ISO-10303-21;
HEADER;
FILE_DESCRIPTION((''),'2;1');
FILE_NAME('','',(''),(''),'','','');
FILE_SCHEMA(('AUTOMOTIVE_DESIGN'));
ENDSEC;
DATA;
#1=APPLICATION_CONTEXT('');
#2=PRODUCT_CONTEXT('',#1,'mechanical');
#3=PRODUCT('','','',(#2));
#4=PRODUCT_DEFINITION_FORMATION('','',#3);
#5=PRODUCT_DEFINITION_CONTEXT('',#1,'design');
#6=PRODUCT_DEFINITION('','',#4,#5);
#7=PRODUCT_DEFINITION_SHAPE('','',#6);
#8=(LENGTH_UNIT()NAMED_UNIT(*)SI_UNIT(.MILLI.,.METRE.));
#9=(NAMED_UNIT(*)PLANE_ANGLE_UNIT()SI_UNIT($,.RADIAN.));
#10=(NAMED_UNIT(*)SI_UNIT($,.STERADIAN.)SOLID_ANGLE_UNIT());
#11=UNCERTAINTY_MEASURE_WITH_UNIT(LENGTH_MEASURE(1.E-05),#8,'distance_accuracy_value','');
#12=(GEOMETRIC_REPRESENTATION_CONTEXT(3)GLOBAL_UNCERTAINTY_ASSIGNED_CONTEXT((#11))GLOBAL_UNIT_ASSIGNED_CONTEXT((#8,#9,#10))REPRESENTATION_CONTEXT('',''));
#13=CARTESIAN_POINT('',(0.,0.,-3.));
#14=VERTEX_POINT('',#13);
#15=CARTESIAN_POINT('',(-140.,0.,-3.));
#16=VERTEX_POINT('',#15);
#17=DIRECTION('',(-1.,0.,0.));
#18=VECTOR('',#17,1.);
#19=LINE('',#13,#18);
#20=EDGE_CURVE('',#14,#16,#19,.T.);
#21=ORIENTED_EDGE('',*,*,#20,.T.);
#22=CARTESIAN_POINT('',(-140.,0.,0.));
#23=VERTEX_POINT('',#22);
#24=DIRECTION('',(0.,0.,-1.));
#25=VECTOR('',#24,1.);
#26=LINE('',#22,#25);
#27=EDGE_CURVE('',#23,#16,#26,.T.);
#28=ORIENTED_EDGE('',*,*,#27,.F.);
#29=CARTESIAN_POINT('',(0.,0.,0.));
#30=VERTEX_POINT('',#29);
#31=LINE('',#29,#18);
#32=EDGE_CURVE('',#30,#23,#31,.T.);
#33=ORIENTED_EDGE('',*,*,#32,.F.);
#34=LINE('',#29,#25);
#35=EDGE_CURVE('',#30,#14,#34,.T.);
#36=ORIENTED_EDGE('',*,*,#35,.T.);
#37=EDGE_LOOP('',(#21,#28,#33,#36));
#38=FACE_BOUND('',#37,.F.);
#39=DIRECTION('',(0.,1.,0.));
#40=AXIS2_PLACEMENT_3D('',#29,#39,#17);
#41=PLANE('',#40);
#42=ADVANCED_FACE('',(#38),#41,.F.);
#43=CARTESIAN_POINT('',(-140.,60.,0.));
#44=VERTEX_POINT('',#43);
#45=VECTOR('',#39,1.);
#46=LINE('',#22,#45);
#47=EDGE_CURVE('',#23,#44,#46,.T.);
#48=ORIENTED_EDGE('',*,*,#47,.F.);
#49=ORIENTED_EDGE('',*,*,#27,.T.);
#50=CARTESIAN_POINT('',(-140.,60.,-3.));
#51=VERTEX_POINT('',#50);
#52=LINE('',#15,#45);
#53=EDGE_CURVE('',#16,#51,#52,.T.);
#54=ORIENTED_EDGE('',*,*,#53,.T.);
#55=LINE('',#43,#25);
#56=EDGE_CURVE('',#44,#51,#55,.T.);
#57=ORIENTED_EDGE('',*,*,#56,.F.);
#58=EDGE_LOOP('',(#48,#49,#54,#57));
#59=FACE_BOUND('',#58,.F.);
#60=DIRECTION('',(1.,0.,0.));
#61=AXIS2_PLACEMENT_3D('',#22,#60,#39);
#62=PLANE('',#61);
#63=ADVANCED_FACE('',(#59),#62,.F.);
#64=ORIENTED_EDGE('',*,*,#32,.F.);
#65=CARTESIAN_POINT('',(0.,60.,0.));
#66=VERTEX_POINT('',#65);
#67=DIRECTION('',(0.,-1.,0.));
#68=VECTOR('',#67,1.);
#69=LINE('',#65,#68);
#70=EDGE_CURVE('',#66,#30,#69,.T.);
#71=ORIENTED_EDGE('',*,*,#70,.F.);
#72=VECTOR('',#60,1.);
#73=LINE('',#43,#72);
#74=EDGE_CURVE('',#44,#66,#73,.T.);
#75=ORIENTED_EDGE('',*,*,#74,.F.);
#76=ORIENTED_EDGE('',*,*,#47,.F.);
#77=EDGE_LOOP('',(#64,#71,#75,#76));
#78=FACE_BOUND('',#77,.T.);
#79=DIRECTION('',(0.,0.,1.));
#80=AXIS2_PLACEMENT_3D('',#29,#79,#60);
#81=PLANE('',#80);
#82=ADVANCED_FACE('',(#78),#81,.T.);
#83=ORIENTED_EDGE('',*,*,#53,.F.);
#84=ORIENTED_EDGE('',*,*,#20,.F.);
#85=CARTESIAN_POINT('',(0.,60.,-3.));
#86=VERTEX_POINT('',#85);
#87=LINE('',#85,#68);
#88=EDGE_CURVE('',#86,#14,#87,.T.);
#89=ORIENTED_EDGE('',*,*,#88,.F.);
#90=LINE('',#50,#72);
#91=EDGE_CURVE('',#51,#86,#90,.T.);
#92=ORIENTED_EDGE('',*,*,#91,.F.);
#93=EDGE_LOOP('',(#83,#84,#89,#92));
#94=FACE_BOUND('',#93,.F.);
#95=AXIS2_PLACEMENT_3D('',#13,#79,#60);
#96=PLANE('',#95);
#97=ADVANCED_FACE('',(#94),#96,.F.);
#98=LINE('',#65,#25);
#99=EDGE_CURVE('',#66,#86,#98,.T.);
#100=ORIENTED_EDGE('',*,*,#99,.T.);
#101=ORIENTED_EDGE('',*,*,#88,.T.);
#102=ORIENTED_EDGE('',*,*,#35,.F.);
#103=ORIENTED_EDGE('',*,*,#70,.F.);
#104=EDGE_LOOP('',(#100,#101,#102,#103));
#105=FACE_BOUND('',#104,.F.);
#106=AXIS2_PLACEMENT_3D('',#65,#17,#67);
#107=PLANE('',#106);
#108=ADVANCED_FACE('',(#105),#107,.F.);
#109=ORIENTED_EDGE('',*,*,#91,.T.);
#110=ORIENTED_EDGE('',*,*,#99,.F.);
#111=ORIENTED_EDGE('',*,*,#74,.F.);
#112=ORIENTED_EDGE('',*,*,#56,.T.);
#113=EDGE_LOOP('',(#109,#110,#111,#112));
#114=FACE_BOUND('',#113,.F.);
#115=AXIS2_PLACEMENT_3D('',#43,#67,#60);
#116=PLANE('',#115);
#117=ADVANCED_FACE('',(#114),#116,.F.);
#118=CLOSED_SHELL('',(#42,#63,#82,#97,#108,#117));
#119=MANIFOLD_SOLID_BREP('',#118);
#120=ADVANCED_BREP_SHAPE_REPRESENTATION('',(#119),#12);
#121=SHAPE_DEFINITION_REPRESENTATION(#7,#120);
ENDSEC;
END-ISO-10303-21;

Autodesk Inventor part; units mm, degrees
ref_plane "YZ Plane" through (0, 0, 0) normal (1, 0, 0) x (0, 1, 0)
ref_plane "XZ Plane" through (0, 0, 0) normal (0, 1, 0) x (-1, 0, 0)
ref_plane "XY Plane" through (0, 0, 0) normal (0, 0, 1) x (1, 0, 0)
sketch "Sketch1" plane through (0, 0, 0) normal (0, 0, 1) x (1, 0, 0)
  line L0 (0, 0) -> (-140, 0)
  line L1 (-140, 0) -> (-140, 60)
  line L2 (-140, 60) -> (0, 60)
  line L3 (0, 60) -> (0, 0)
  dimension "d0" = 140
  dimension "d1" = 60
extrude "Extrusion1" add sketch "Sketch1" against normal blind 3
properties part number "DAK"
